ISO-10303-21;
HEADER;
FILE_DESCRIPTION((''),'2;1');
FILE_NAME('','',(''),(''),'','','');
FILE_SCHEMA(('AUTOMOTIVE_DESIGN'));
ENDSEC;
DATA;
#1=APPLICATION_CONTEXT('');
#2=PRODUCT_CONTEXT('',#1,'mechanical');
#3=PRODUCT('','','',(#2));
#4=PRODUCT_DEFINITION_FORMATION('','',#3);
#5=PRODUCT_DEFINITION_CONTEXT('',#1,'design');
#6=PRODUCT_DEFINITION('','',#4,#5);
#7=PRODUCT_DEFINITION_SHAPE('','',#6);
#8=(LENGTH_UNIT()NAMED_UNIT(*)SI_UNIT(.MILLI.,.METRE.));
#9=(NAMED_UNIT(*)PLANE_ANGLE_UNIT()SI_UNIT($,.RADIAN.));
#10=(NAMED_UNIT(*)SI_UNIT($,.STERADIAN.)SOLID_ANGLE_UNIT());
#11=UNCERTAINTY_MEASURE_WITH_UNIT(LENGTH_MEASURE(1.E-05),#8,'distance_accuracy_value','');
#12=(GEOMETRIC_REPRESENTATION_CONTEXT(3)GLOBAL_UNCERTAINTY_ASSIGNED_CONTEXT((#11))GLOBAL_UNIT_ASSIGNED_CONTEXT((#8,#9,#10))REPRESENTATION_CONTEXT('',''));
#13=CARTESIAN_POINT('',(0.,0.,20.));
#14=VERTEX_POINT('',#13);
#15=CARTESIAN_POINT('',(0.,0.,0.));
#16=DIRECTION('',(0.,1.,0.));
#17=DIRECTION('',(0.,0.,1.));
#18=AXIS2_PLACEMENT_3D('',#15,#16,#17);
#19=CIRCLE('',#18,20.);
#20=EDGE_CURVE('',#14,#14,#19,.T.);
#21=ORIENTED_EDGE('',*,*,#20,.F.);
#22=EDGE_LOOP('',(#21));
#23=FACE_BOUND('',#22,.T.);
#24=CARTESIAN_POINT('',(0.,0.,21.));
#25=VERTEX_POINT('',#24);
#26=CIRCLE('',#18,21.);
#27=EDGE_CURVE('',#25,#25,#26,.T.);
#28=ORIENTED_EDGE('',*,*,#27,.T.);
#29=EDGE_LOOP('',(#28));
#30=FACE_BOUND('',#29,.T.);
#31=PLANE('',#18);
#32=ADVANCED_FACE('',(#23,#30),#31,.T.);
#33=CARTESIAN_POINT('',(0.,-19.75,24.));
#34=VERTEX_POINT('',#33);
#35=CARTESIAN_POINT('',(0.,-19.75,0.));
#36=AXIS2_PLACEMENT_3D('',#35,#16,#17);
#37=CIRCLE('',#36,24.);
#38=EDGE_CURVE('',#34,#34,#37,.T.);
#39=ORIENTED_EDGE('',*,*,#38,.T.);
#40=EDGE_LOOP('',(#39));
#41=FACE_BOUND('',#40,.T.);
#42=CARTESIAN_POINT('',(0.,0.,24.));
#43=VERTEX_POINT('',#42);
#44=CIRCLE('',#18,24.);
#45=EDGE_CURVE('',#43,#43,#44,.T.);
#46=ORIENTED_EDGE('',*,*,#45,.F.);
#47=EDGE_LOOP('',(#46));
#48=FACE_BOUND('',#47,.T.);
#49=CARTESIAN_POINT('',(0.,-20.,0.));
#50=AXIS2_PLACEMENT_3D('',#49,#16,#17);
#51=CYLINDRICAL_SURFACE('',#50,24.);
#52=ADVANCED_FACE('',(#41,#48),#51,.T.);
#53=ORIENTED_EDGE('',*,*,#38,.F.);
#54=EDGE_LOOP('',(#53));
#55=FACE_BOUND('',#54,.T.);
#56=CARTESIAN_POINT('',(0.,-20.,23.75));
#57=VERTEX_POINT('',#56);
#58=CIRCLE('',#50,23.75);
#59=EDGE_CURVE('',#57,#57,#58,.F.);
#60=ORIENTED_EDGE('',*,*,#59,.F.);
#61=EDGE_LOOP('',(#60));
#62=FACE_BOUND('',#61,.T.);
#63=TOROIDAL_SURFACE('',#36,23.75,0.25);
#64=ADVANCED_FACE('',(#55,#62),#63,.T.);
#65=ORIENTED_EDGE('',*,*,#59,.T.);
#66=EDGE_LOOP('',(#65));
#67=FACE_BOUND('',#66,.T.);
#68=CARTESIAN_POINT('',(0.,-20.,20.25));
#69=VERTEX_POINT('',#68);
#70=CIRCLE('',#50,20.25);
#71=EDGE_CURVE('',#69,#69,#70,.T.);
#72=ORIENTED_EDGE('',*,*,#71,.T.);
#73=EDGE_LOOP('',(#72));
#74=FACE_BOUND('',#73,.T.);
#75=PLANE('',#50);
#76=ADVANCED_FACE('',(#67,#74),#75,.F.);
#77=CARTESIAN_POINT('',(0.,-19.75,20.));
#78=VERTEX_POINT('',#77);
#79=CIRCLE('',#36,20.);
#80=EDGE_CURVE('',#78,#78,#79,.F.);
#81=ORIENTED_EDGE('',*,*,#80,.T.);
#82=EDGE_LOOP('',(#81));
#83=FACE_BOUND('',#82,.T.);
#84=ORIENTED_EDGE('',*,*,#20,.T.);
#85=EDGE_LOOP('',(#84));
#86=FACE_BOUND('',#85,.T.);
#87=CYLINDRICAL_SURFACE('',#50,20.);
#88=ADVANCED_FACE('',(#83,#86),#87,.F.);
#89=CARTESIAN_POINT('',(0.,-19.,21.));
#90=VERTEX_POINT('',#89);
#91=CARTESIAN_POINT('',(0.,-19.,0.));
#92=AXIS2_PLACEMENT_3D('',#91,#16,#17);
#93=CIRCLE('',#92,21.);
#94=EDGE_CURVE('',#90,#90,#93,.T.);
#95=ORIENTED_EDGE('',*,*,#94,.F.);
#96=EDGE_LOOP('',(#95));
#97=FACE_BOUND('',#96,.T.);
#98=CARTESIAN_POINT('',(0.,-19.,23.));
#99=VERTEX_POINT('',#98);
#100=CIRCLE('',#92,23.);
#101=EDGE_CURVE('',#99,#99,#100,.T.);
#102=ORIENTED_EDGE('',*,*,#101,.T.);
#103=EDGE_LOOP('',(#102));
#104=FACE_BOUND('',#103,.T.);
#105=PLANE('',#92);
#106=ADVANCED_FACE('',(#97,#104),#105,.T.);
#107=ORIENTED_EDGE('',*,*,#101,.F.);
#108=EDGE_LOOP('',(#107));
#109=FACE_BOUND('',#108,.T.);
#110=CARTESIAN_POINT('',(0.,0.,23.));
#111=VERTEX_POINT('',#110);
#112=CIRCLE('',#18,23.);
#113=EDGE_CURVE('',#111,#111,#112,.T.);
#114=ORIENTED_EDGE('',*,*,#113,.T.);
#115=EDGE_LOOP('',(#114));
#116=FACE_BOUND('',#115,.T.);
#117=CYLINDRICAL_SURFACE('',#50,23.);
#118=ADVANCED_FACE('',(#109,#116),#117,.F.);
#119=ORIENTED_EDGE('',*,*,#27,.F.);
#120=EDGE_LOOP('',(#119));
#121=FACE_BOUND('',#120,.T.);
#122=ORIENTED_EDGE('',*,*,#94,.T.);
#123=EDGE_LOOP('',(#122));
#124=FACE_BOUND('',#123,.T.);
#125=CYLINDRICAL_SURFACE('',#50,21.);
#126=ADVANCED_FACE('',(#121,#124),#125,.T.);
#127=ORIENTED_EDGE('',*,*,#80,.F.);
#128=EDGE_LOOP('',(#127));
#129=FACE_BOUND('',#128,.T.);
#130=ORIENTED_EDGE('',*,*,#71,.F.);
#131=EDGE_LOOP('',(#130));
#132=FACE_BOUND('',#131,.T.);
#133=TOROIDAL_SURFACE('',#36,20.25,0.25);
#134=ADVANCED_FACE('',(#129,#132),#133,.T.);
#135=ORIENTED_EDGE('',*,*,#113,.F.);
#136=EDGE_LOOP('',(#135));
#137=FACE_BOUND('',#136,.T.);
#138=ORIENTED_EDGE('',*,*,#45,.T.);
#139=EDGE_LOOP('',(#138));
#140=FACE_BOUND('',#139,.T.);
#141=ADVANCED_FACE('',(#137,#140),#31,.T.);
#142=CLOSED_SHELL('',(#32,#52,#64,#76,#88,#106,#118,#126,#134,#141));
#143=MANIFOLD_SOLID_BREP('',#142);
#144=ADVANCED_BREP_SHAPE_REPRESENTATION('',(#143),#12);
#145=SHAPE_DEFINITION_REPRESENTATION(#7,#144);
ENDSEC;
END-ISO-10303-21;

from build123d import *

# Parameters (mm, degrees)
SKETCH1_R           = 24
SKETCH1_R_2         = 20
BOSS_EXTRUDE1_DEPTH = 20
SHELL4_T            = -1
FILLET1_R           = 0.25
FILLET2_R           = 0.25


with BuildPart() as part:
    # Sketch1 → Boss-Extrude1 (new body)
    with BuildSketch(Plane(origin=(0, 0, 0), x_dir=(1, 0, 0), z_dir=(0, 1, 0))):
        with Locations(Location((0, 0, 0), (0, 0, 270))):
            Circle(SKETCH1_R)
        with Locations(Location((0, 0, 0), (0, 0, 270))):
            Circle(SKETCH1_R_2, mode=Mode.SUBTRACT)
    extrude(amount=-BOSS_EXTRUDE1_DEPTH)

    # Shell4
    shell4_openings = [part.faces().sort_by_distance(p)[0] for p in [
        (0, 0, -23.32117749),
    ]]
    offset(amount=SHELL4_T, openings=shell4_openings, kind=Kind.INTERSECTION)

    # Fillet1
    fillet1_edges = [part.edges().sort_by_distance(p)[0] for p in [
        (0, -20, -20),
    ]]
    fillet(fillet1_edges, radius=FILLET1_R)

    # Fillet2
    fillet2_edges = [part.edges().sort_by_distance(p)[0] for p in [
        (0, -20, -24),
    ]]
    fillet(fillet2_edges, radius=FILLET2_R)


solid = part.part
